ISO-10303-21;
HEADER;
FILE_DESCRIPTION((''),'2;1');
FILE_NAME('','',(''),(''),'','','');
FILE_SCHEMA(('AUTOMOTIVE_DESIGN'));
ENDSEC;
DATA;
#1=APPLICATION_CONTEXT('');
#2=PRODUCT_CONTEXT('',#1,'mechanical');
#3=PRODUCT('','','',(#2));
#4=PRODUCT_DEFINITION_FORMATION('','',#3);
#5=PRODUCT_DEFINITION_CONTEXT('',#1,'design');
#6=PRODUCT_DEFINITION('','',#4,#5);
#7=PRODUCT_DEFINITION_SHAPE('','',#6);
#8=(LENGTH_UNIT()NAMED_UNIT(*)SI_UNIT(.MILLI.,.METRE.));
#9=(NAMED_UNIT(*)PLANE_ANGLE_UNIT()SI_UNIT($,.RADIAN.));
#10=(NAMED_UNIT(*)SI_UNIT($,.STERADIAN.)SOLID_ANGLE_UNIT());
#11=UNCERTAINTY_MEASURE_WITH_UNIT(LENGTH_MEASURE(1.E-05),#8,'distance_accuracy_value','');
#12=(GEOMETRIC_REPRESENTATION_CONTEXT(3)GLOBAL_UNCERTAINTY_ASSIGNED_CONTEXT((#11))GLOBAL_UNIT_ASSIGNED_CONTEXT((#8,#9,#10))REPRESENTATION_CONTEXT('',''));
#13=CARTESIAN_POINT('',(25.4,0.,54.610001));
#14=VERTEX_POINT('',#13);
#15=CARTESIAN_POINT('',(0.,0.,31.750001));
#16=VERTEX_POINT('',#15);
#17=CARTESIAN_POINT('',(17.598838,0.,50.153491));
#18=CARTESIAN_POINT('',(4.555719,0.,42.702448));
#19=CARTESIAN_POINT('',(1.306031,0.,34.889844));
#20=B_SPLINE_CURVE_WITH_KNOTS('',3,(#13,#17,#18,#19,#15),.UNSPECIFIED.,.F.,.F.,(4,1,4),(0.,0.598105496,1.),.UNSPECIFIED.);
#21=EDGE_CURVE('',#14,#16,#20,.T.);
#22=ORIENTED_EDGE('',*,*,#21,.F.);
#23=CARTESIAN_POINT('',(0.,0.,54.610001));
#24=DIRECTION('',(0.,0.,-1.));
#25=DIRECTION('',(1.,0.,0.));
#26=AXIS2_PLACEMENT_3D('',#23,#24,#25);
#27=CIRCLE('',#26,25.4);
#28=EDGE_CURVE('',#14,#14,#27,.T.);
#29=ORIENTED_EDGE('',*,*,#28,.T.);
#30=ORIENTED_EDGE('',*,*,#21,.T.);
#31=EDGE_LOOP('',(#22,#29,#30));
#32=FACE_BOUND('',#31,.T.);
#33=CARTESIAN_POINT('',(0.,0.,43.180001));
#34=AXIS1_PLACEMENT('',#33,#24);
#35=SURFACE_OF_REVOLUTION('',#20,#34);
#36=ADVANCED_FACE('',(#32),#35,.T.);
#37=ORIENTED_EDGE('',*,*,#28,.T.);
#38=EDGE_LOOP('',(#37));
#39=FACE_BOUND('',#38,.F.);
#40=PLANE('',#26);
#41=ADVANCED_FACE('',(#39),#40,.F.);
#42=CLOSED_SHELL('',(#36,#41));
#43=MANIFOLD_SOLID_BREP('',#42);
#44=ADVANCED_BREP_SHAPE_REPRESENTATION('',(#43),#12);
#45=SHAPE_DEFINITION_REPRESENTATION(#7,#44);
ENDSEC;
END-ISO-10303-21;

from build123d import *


with BuildPart() as f1:
    # F0 (on Front) → F1 (revolve)
    with BuildSketch(Plane.XZ):
        with BuildLine():
            Line((25.4, 54.6100009435), (0, 54.6100009435))
            Line((0, 54.6100009435), (0, 31.7500009435))
            add(Edge.make_bspline(
                [(25.4, 54.6100009435), (17.5988384701, 50.1534912146), (4.5557188411, 42.702448277), (1.3060314882, 34.8898437628), (0, 31.7500009435)],
                knots=[0, 0, 0, 0, 0.5981054956, 1, 1, 1, 1], degree=3))
        make_face()
    revolve(axis=Axis((0, 0, 43.1800009435), (0, 0, -1)))


solid = f1.part
